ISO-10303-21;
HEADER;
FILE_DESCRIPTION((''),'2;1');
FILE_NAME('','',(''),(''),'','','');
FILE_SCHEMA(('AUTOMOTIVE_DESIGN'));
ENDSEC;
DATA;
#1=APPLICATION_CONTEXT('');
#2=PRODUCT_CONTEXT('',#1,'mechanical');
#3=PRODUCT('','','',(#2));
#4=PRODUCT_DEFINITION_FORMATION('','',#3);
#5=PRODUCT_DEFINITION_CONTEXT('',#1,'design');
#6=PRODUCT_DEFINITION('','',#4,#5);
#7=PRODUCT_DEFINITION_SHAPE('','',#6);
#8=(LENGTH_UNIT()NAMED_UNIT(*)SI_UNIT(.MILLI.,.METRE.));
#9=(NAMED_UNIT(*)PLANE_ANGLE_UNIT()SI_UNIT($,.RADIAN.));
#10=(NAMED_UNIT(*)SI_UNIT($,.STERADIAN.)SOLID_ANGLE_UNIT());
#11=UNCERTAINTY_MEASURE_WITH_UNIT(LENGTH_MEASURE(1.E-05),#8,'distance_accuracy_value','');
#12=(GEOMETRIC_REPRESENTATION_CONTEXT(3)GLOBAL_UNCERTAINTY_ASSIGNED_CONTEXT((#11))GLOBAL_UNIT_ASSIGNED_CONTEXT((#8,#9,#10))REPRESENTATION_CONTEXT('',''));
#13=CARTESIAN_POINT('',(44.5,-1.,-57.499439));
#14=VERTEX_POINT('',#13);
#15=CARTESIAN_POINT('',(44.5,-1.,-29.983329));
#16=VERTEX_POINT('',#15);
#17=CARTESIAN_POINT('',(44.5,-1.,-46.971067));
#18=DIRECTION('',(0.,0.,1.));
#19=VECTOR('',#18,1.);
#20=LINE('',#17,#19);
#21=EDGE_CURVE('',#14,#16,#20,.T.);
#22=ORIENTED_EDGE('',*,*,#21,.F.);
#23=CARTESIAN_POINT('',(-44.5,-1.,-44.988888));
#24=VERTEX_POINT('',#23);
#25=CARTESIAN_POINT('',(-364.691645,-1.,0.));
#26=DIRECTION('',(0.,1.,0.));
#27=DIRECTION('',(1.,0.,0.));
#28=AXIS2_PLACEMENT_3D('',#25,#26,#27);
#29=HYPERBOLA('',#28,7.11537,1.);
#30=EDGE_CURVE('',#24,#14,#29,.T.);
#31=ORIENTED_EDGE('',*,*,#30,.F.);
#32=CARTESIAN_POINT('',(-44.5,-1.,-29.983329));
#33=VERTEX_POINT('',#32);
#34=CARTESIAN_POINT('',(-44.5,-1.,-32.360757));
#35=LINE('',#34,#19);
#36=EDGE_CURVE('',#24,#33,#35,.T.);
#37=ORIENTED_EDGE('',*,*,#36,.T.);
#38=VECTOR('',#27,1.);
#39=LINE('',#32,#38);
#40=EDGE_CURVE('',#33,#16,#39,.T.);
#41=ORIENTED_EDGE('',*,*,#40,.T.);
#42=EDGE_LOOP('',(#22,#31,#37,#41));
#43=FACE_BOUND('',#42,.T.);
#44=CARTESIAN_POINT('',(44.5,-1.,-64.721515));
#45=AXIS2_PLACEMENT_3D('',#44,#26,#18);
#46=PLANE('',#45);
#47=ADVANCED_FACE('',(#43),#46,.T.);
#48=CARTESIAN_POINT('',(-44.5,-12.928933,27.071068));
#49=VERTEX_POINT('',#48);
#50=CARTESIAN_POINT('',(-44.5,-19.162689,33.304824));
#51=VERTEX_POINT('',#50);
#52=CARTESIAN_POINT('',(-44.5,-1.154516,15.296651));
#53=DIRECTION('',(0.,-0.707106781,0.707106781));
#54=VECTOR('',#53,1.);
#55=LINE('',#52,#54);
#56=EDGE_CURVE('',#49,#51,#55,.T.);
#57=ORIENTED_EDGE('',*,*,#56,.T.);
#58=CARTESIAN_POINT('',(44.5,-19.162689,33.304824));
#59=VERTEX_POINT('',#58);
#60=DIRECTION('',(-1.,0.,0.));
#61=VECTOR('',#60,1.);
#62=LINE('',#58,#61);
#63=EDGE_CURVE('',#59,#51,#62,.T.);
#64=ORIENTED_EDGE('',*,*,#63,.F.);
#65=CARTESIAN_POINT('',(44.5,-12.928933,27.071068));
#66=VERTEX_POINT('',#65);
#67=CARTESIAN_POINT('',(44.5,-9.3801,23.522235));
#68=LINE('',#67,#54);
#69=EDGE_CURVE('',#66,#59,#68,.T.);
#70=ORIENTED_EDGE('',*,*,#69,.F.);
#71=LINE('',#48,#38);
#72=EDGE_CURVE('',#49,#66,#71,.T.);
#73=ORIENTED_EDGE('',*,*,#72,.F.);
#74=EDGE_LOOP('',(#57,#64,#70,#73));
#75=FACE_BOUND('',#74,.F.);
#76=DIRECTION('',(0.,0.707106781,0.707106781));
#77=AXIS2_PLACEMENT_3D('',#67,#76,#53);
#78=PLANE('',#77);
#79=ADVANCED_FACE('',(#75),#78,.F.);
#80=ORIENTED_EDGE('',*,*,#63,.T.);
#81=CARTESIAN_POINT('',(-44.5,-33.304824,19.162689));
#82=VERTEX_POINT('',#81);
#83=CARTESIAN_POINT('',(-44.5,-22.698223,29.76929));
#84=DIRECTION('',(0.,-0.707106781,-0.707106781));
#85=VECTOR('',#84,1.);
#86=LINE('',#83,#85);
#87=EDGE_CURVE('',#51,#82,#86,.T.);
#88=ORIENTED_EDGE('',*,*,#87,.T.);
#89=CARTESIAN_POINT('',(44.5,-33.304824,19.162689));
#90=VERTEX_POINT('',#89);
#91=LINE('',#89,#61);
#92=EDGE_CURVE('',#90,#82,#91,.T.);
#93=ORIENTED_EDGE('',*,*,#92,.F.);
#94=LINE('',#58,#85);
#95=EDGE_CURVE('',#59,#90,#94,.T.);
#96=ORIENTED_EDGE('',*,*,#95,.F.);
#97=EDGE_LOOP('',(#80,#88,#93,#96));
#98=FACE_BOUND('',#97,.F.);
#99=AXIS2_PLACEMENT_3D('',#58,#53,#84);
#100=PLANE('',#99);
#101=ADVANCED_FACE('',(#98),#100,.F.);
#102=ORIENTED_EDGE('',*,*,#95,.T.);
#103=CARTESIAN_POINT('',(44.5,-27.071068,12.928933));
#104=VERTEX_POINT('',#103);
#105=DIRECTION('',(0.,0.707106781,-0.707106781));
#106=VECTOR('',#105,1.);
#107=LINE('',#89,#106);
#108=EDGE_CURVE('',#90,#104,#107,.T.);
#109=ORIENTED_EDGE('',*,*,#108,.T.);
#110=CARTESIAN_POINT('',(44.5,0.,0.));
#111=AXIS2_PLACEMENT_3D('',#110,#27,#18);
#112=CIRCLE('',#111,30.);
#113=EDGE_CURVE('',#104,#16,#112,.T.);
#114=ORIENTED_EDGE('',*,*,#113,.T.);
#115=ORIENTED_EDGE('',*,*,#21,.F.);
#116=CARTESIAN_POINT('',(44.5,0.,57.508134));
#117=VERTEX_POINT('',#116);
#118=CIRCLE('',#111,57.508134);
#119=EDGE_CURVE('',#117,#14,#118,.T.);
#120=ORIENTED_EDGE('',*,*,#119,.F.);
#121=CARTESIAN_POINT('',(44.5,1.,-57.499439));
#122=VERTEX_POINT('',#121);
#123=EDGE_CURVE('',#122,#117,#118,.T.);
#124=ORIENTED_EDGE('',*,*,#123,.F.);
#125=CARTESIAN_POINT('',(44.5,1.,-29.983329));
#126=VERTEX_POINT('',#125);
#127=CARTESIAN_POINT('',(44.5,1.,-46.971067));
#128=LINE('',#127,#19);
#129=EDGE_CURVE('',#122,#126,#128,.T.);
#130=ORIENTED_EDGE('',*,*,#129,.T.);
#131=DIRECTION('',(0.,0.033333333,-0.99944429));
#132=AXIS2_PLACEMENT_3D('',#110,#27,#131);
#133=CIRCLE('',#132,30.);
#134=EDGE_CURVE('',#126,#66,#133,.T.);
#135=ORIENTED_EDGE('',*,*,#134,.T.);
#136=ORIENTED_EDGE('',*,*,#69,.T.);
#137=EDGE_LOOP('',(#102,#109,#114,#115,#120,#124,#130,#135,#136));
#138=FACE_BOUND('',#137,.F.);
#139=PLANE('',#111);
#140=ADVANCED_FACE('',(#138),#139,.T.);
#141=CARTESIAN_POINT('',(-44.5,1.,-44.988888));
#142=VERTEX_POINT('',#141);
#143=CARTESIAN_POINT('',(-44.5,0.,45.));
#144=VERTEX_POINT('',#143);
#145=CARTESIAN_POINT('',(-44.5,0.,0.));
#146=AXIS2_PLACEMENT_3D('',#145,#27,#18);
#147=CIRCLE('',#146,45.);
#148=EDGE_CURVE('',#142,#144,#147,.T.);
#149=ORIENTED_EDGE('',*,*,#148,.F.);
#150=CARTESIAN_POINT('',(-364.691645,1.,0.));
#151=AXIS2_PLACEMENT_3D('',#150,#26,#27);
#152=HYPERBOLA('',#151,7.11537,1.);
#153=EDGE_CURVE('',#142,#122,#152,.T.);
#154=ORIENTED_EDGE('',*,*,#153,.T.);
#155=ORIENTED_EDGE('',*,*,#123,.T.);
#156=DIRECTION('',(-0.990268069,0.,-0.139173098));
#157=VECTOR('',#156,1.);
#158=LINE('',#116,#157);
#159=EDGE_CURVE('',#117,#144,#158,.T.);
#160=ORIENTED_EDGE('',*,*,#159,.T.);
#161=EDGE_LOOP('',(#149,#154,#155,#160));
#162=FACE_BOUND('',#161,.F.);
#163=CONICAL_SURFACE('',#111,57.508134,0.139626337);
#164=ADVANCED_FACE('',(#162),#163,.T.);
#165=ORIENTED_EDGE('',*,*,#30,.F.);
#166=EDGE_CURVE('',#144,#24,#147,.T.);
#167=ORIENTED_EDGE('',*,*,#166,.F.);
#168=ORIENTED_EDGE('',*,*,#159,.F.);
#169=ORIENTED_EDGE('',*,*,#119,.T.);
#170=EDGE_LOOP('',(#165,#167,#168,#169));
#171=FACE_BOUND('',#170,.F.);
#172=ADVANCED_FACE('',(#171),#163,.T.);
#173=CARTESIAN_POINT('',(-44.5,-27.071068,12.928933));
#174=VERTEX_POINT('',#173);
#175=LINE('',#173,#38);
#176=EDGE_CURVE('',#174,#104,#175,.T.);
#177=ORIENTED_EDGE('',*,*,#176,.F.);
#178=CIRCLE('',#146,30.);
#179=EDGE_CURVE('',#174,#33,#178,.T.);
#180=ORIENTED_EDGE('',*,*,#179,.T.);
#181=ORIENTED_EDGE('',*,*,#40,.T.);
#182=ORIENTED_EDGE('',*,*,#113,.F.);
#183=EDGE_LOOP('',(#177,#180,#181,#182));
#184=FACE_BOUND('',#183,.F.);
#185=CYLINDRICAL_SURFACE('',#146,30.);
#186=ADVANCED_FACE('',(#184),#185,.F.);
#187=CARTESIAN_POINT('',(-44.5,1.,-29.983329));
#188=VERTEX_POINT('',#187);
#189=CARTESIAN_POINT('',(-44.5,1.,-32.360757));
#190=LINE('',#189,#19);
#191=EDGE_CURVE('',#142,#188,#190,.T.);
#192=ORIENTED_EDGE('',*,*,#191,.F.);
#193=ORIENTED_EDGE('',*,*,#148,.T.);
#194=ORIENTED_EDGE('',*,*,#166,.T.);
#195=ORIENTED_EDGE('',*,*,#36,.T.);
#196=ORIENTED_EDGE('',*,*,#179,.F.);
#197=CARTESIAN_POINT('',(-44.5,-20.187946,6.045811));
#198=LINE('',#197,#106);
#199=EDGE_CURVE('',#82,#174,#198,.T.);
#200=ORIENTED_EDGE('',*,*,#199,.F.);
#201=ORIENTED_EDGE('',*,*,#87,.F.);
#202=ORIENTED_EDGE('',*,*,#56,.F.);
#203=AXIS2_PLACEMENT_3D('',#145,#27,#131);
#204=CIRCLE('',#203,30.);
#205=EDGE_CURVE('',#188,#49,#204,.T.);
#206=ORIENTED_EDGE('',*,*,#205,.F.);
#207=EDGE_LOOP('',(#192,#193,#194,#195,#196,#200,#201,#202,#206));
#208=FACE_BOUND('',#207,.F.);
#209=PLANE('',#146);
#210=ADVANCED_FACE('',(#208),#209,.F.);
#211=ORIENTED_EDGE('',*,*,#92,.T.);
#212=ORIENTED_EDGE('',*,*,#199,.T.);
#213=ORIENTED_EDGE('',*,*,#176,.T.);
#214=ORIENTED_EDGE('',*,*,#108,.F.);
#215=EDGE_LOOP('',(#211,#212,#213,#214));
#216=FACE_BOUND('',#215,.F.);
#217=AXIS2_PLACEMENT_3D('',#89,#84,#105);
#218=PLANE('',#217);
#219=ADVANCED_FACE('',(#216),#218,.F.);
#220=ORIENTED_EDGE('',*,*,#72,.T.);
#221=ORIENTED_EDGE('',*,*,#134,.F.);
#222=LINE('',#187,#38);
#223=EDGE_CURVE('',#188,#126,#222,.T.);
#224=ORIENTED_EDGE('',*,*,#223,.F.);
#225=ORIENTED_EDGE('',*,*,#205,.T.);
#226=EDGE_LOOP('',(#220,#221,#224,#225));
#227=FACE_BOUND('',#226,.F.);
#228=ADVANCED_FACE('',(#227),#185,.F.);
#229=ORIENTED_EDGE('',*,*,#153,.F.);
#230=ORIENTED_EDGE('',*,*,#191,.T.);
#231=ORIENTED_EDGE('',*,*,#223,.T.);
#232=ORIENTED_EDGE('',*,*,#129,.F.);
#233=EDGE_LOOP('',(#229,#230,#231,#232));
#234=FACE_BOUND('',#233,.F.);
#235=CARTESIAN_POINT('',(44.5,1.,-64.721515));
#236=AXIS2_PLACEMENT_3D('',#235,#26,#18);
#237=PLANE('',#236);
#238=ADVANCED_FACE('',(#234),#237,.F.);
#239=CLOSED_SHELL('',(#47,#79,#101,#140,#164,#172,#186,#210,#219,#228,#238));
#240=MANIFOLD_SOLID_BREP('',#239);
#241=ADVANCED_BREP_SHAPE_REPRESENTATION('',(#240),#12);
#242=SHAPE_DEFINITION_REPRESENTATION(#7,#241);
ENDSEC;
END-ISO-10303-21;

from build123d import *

# Parameters (mm, degrees)
F2_W     = 2
F2_H     = 35.500896
F3_DEPTH = 89.001
F6_DEPTH = 89.001


with BuildPart() as f1:
    # F0 (on Front) → F1 (revolve)
    with BuildSketch(Plane.XZ):
        Polygon((-44.5, 45), (-44.5, 30), (44.5, 30), (44.5, 57.508134), align=None)
    revolve(axis=Axis((4.300002, 0, 0), (1, 0, 0)))

    # F2 (on face) → F3 (cut, through all)
    with BuildSketch(Plane.YZ.offset(44.5)):
        with Locations((0, -46.971067)):
            Rectangle(F2_W, F2_H)
    extrude(amount=-F3_DEPTH, mode=Mode.SUBTRACT)

    # F5 (on face) → F6 (cut, through all)
    with BuildSketch(Plane.YZ.offset(44.5)):
        Polygon((-9.3801, 23.522235), (-19.162689, 33.304824), (-33.304824, 19.162689), (-23.522235, 9.3801), align=None)
    extrude(amount=-F6_DEPTH, mode=Mode.SUBTRACT)


solid = f1.part
